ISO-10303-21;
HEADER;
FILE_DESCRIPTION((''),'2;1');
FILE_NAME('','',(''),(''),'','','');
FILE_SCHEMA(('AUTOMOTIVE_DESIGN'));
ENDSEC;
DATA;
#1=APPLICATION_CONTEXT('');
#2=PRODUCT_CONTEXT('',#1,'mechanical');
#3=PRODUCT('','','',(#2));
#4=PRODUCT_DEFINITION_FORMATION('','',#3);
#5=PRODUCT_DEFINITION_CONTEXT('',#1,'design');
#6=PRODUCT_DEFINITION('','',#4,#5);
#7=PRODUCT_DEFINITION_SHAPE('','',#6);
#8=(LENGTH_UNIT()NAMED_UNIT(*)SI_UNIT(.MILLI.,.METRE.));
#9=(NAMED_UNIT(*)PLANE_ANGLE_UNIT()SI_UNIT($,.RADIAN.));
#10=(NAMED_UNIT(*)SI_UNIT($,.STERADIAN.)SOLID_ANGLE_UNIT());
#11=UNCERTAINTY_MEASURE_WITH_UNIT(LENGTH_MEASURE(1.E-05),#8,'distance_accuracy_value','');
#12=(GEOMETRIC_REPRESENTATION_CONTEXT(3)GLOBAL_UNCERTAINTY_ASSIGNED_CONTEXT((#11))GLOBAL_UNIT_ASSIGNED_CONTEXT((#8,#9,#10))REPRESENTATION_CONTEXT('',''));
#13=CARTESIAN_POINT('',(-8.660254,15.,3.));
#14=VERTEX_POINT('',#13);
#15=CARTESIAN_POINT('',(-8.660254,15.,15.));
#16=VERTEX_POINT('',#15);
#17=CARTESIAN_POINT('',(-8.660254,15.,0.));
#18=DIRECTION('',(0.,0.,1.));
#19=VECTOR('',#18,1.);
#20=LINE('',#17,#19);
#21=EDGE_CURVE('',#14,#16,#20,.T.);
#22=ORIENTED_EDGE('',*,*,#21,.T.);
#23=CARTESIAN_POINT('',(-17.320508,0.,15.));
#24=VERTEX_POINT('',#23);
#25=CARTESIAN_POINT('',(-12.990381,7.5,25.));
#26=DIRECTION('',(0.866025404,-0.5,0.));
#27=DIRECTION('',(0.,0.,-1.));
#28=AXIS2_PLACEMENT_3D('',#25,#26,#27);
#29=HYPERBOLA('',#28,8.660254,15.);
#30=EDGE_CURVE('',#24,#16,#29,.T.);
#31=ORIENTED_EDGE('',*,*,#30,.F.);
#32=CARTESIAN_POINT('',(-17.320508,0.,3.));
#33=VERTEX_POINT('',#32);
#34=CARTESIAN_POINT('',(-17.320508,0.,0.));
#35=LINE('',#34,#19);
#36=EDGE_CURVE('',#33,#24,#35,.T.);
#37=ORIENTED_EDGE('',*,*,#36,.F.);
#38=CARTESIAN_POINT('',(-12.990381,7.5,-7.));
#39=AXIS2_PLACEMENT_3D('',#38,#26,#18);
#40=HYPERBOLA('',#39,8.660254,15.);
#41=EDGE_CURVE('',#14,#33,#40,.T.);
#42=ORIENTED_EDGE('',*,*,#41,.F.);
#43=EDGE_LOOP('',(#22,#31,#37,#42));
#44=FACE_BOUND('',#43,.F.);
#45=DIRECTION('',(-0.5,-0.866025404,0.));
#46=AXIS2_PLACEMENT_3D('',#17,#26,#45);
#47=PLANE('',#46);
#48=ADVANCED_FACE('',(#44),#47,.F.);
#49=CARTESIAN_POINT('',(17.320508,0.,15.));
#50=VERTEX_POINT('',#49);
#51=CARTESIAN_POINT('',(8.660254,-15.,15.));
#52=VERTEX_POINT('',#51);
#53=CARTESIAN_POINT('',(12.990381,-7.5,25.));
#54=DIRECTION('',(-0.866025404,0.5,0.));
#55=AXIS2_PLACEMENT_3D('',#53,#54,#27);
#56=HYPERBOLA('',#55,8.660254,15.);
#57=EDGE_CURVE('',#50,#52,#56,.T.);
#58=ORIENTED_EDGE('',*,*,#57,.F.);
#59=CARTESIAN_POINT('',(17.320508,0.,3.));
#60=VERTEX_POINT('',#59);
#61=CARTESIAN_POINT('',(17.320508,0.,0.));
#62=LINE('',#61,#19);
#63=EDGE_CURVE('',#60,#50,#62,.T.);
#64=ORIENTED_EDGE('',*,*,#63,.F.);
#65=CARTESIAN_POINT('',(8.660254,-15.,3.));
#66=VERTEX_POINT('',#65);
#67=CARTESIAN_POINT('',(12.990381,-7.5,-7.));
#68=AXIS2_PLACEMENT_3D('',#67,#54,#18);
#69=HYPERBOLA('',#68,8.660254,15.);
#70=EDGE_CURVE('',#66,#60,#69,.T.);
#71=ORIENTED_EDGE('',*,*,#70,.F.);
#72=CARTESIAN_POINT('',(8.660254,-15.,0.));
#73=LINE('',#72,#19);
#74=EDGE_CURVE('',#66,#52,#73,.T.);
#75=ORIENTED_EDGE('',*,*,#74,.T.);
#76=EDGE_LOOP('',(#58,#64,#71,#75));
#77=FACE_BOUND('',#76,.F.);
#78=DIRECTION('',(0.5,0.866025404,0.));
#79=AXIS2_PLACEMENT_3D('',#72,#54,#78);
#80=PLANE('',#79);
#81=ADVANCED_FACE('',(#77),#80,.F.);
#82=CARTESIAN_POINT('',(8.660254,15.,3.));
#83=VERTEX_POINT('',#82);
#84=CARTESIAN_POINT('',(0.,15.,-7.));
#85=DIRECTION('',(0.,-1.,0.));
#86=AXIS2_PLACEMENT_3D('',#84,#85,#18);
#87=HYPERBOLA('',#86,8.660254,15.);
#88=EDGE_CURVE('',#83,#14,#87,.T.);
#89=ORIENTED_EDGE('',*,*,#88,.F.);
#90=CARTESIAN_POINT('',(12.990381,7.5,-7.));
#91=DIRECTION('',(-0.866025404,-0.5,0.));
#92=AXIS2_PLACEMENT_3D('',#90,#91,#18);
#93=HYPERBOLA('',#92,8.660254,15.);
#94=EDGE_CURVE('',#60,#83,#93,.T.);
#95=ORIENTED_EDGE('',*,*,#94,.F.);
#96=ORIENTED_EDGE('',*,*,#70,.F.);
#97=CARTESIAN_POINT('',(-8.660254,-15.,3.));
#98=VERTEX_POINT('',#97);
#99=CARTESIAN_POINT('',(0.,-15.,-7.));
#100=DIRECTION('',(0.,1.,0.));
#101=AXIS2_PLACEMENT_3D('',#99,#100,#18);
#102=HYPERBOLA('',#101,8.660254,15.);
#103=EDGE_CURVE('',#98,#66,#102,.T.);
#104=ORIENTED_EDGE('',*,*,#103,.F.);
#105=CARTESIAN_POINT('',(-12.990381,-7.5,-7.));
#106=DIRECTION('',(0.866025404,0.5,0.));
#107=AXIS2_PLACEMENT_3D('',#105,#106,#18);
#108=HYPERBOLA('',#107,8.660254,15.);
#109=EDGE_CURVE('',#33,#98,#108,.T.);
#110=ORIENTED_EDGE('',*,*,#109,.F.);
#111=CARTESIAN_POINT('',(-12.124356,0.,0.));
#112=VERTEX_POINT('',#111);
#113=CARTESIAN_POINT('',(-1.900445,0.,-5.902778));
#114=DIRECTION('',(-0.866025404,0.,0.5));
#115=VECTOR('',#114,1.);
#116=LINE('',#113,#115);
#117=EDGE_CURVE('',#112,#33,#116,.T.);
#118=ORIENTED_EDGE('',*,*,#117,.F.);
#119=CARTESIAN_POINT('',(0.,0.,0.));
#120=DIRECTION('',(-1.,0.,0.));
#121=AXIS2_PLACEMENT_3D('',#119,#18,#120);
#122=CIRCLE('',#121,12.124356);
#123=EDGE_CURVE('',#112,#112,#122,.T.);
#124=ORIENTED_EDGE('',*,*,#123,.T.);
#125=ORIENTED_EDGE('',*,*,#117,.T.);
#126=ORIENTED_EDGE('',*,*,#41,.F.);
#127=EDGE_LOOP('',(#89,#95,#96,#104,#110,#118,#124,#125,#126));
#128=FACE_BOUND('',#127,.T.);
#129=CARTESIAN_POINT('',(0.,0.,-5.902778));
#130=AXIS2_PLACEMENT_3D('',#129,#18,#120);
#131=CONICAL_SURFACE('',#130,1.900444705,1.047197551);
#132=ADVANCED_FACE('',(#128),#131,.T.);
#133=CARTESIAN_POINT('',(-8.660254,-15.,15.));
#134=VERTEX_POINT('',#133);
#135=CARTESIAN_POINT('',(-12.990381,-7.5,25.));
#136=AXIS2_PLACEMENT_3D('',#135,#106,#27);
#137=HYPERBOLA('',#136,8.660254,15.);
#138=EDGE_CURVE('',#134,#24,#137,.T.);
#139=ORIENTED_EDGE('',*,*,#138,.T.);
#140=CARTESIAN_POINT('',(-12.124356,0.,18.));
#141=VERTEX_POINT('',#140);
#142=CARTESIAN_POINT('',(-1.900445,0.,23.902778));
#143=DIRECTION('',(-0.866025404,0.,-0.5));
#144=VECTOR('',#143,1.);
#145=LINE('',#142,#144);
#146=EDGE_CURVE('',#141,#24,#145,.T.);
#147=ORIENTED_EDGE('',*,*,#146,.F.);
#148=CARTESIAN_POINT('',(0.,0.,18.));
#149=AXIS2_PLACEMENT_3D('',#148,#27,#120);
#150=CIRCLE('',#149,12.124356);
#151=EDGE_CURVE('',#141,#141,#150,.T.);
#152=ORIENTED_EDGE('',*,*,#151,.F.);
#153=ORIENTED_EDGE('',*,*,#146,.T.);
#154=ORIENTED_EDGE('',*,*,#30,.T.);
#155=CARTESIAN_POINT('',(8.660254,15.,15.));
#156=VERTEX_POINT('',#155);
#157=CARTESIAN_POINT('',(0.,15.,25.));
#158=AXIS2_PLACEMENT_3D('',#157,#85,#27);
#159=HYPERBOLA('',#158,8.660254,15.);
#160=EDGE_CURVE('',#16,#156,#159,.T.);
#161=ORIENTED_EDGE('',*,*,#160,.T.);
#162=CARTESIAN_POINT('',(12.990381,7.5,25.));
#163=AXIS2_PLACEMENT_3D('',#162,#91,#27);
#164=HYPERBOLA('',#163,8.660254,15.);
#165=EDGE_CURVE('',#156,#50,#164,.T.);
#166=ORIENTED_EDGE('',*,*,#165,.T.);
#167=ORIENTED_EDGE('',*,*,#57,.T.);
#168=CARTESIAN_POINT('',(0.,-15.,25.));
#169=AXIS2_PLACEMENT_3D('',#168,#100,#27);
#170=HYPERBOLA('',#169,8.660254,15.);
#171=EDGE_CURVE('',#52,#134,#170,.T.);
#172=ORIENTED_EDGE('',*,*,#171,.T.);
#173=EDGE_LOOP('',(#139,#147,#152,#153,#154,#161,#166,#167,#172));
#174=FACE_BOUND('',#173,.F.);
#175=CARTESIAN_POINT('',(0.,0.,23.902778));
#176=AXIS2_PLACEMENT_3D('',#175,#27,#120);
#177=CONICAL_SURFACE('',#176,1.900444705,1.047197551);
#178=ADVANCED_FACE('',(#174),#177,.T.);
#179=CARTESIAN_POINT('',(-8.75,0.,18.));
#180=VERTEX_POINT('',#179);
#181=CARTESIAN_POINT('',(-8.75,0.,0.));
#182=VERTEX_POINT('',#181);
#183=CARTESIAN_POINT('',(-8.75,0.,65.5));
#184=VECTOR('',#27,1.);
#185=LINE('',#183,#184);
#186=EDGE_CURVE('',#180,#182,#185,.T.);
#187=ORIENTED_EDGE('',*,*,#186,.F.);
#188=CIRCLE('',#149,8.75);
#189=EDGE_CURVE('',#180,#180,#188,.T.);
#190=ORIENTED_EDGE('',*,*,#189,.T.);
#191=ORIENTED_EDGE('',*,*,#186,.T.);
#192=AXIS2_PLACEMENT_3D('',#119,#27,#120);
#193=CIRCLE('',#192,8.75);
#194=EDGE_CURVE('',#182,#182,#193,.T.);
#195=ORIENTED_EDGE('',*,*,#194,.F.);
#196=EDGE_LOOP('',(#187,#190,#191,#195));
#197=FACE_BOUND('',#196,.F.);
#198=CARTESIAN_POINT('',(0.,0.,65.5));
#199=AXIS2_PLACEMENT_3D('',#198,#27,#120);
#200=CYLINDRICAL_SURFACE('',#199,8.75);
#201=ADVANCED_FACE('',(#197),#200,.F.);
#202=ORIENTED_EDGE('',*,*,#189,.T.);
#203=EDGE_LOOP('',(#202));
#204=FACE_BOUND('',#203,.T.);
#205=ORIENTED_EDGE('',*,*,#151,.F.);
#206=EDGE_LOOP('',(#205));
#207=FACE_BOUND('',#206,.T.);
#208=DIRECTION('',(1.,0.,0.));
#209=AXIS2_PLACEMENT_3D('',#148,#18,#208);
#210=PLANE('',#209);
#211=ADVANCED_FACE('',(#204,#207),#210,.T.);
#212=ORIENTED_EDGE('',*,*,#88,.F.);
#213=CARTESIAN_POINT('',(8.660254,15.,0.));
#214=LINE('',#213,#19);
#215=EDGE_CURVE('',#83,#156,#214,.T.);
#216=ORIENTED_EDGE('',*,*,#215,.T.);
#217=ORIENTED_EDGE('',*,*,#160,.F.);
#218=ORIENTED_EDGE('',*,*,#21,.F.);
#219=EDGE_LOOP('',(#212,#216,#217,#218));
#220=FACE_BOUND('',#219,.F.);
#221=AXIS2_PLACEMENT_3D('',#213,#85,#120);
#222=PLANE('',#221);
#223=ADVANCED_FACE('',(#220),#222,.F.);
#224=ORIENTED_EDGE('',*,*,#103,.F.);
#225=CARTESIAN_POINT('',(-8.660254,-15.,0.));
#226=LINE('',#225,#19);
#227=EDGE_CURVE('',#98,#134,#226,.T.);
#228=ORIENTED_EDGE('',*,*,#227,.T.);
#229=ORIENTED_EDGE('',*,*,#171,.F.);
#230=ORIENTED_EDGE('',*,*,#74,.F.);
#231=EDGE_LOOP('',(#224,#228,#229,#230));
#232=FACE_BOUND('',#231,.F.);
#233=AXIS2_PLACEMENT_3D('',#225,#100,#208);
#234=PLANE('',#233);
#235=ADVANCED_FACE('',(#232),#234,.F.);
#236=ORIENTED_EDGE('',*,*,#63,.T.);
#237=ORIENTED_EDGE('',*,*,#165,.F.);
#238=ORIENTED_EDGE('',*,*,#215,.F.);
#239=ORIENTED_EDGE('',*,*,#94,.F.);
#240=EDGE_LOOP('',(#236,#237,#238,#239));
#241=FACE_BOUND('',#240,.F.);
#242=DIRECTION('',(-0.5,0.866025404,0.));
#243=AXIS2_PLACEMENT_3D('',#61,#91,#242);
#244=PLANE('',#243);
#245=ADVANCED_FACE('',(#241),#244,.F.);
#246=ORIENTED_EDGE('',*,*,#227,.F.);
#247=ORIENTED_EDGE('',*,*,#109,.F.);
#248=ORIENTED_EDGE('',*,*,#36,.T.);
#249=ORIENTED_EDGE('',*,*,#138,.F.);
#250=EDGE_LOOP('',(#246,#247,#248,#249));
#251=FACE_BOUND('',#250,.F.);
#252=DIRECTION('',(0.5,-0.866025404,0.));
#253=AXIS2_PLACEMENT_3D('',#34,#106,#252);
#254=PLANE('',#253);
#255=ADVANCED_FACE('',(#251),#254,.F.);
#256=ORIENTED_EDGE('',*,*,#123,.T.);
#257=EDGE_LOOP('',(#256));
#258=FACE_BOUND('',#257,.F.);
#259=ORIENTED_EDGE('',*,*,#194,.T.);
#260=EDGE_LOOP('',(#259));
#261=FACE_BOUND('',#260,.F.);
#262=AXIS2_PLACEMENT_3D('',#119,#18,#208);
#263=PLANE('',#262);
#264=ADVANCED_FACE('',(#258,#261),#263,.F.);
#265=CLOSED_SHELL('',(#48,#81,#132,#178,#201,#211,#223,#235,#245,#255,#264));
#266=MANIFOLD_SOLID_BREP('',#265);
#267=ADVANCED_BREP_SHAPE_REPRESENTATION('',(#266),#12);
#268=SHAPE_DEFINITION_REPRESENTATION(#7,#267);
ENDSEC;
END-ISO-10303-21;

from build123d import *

# Parameters (mm, degrees)
EXTRUDE_1_DEPTH         = 18
HOLE_WIZARD_M20_1_D     = 17.5
HOLE_WIZARD_M20_1_DEPTH = 47.5
HOLE_WIZARD_M20_1_TIP   = 5.257530416


with BuildPart() as part:
    # 草图1 → 拉伸1 (new body)
    with BuildSketch(Plane.XY):
        Polygon((17.320508076, 0), (8.660254038, 15), (-8.660254038, 15), (-17.320508076, 0), (-8.660254038, -15), (8.660254038, -15), align=None)
    extrude(amount=EXTRUDE_1_DEPTH)

    # 草图2 → 切除-旋转1 (revolve, cut)
    with BuildSketch(Plane(origin=(0, 0, 0), x_dir=(1, 0, 0), z_dir=(0, 1, 0)), mode=Mode.PRIVATE) as cut_revolve_1_sk:
        Polygon((1.900444705, 5.902777738), (17.320508076, -3), (20.281011983, 2.127743183), align=None)
        Polygon((17.320508076, -15), (20.281011983, -20.127743183), (1.900444705, -23.902777738), align=None)
    revolve(cut_revolve_1_sk.sketch.rotate(Axis((0, 0, -13.306273389), (0, 0, 1)), 180), axis=Axis((0, 0, -13.306273389), (0, 0, 1)), mode=Mode.SUBTRACT)

    # M20 螺纹孔1
    with Locations(Plane.XY.offset(18)):
        with Locations((0, 0)):
            Hole(HOLE_WIZARD_M20_1_D / 2, depth=HOLE_WIZARD_M20_1_DEPTH)
            with Locations((0, 0, -(HOLE_WIZARD_M20_1_DEPTH + HOLE_WIZARD_M20_1_TIP / 2))):  # 118° drill point
                Cone(0, HOLE_WIZARD_M20_1_D / 2, HOLE_WIZARD_M20_1_TIP, mode=Mode.SUBTRACT)


solid = part.part
